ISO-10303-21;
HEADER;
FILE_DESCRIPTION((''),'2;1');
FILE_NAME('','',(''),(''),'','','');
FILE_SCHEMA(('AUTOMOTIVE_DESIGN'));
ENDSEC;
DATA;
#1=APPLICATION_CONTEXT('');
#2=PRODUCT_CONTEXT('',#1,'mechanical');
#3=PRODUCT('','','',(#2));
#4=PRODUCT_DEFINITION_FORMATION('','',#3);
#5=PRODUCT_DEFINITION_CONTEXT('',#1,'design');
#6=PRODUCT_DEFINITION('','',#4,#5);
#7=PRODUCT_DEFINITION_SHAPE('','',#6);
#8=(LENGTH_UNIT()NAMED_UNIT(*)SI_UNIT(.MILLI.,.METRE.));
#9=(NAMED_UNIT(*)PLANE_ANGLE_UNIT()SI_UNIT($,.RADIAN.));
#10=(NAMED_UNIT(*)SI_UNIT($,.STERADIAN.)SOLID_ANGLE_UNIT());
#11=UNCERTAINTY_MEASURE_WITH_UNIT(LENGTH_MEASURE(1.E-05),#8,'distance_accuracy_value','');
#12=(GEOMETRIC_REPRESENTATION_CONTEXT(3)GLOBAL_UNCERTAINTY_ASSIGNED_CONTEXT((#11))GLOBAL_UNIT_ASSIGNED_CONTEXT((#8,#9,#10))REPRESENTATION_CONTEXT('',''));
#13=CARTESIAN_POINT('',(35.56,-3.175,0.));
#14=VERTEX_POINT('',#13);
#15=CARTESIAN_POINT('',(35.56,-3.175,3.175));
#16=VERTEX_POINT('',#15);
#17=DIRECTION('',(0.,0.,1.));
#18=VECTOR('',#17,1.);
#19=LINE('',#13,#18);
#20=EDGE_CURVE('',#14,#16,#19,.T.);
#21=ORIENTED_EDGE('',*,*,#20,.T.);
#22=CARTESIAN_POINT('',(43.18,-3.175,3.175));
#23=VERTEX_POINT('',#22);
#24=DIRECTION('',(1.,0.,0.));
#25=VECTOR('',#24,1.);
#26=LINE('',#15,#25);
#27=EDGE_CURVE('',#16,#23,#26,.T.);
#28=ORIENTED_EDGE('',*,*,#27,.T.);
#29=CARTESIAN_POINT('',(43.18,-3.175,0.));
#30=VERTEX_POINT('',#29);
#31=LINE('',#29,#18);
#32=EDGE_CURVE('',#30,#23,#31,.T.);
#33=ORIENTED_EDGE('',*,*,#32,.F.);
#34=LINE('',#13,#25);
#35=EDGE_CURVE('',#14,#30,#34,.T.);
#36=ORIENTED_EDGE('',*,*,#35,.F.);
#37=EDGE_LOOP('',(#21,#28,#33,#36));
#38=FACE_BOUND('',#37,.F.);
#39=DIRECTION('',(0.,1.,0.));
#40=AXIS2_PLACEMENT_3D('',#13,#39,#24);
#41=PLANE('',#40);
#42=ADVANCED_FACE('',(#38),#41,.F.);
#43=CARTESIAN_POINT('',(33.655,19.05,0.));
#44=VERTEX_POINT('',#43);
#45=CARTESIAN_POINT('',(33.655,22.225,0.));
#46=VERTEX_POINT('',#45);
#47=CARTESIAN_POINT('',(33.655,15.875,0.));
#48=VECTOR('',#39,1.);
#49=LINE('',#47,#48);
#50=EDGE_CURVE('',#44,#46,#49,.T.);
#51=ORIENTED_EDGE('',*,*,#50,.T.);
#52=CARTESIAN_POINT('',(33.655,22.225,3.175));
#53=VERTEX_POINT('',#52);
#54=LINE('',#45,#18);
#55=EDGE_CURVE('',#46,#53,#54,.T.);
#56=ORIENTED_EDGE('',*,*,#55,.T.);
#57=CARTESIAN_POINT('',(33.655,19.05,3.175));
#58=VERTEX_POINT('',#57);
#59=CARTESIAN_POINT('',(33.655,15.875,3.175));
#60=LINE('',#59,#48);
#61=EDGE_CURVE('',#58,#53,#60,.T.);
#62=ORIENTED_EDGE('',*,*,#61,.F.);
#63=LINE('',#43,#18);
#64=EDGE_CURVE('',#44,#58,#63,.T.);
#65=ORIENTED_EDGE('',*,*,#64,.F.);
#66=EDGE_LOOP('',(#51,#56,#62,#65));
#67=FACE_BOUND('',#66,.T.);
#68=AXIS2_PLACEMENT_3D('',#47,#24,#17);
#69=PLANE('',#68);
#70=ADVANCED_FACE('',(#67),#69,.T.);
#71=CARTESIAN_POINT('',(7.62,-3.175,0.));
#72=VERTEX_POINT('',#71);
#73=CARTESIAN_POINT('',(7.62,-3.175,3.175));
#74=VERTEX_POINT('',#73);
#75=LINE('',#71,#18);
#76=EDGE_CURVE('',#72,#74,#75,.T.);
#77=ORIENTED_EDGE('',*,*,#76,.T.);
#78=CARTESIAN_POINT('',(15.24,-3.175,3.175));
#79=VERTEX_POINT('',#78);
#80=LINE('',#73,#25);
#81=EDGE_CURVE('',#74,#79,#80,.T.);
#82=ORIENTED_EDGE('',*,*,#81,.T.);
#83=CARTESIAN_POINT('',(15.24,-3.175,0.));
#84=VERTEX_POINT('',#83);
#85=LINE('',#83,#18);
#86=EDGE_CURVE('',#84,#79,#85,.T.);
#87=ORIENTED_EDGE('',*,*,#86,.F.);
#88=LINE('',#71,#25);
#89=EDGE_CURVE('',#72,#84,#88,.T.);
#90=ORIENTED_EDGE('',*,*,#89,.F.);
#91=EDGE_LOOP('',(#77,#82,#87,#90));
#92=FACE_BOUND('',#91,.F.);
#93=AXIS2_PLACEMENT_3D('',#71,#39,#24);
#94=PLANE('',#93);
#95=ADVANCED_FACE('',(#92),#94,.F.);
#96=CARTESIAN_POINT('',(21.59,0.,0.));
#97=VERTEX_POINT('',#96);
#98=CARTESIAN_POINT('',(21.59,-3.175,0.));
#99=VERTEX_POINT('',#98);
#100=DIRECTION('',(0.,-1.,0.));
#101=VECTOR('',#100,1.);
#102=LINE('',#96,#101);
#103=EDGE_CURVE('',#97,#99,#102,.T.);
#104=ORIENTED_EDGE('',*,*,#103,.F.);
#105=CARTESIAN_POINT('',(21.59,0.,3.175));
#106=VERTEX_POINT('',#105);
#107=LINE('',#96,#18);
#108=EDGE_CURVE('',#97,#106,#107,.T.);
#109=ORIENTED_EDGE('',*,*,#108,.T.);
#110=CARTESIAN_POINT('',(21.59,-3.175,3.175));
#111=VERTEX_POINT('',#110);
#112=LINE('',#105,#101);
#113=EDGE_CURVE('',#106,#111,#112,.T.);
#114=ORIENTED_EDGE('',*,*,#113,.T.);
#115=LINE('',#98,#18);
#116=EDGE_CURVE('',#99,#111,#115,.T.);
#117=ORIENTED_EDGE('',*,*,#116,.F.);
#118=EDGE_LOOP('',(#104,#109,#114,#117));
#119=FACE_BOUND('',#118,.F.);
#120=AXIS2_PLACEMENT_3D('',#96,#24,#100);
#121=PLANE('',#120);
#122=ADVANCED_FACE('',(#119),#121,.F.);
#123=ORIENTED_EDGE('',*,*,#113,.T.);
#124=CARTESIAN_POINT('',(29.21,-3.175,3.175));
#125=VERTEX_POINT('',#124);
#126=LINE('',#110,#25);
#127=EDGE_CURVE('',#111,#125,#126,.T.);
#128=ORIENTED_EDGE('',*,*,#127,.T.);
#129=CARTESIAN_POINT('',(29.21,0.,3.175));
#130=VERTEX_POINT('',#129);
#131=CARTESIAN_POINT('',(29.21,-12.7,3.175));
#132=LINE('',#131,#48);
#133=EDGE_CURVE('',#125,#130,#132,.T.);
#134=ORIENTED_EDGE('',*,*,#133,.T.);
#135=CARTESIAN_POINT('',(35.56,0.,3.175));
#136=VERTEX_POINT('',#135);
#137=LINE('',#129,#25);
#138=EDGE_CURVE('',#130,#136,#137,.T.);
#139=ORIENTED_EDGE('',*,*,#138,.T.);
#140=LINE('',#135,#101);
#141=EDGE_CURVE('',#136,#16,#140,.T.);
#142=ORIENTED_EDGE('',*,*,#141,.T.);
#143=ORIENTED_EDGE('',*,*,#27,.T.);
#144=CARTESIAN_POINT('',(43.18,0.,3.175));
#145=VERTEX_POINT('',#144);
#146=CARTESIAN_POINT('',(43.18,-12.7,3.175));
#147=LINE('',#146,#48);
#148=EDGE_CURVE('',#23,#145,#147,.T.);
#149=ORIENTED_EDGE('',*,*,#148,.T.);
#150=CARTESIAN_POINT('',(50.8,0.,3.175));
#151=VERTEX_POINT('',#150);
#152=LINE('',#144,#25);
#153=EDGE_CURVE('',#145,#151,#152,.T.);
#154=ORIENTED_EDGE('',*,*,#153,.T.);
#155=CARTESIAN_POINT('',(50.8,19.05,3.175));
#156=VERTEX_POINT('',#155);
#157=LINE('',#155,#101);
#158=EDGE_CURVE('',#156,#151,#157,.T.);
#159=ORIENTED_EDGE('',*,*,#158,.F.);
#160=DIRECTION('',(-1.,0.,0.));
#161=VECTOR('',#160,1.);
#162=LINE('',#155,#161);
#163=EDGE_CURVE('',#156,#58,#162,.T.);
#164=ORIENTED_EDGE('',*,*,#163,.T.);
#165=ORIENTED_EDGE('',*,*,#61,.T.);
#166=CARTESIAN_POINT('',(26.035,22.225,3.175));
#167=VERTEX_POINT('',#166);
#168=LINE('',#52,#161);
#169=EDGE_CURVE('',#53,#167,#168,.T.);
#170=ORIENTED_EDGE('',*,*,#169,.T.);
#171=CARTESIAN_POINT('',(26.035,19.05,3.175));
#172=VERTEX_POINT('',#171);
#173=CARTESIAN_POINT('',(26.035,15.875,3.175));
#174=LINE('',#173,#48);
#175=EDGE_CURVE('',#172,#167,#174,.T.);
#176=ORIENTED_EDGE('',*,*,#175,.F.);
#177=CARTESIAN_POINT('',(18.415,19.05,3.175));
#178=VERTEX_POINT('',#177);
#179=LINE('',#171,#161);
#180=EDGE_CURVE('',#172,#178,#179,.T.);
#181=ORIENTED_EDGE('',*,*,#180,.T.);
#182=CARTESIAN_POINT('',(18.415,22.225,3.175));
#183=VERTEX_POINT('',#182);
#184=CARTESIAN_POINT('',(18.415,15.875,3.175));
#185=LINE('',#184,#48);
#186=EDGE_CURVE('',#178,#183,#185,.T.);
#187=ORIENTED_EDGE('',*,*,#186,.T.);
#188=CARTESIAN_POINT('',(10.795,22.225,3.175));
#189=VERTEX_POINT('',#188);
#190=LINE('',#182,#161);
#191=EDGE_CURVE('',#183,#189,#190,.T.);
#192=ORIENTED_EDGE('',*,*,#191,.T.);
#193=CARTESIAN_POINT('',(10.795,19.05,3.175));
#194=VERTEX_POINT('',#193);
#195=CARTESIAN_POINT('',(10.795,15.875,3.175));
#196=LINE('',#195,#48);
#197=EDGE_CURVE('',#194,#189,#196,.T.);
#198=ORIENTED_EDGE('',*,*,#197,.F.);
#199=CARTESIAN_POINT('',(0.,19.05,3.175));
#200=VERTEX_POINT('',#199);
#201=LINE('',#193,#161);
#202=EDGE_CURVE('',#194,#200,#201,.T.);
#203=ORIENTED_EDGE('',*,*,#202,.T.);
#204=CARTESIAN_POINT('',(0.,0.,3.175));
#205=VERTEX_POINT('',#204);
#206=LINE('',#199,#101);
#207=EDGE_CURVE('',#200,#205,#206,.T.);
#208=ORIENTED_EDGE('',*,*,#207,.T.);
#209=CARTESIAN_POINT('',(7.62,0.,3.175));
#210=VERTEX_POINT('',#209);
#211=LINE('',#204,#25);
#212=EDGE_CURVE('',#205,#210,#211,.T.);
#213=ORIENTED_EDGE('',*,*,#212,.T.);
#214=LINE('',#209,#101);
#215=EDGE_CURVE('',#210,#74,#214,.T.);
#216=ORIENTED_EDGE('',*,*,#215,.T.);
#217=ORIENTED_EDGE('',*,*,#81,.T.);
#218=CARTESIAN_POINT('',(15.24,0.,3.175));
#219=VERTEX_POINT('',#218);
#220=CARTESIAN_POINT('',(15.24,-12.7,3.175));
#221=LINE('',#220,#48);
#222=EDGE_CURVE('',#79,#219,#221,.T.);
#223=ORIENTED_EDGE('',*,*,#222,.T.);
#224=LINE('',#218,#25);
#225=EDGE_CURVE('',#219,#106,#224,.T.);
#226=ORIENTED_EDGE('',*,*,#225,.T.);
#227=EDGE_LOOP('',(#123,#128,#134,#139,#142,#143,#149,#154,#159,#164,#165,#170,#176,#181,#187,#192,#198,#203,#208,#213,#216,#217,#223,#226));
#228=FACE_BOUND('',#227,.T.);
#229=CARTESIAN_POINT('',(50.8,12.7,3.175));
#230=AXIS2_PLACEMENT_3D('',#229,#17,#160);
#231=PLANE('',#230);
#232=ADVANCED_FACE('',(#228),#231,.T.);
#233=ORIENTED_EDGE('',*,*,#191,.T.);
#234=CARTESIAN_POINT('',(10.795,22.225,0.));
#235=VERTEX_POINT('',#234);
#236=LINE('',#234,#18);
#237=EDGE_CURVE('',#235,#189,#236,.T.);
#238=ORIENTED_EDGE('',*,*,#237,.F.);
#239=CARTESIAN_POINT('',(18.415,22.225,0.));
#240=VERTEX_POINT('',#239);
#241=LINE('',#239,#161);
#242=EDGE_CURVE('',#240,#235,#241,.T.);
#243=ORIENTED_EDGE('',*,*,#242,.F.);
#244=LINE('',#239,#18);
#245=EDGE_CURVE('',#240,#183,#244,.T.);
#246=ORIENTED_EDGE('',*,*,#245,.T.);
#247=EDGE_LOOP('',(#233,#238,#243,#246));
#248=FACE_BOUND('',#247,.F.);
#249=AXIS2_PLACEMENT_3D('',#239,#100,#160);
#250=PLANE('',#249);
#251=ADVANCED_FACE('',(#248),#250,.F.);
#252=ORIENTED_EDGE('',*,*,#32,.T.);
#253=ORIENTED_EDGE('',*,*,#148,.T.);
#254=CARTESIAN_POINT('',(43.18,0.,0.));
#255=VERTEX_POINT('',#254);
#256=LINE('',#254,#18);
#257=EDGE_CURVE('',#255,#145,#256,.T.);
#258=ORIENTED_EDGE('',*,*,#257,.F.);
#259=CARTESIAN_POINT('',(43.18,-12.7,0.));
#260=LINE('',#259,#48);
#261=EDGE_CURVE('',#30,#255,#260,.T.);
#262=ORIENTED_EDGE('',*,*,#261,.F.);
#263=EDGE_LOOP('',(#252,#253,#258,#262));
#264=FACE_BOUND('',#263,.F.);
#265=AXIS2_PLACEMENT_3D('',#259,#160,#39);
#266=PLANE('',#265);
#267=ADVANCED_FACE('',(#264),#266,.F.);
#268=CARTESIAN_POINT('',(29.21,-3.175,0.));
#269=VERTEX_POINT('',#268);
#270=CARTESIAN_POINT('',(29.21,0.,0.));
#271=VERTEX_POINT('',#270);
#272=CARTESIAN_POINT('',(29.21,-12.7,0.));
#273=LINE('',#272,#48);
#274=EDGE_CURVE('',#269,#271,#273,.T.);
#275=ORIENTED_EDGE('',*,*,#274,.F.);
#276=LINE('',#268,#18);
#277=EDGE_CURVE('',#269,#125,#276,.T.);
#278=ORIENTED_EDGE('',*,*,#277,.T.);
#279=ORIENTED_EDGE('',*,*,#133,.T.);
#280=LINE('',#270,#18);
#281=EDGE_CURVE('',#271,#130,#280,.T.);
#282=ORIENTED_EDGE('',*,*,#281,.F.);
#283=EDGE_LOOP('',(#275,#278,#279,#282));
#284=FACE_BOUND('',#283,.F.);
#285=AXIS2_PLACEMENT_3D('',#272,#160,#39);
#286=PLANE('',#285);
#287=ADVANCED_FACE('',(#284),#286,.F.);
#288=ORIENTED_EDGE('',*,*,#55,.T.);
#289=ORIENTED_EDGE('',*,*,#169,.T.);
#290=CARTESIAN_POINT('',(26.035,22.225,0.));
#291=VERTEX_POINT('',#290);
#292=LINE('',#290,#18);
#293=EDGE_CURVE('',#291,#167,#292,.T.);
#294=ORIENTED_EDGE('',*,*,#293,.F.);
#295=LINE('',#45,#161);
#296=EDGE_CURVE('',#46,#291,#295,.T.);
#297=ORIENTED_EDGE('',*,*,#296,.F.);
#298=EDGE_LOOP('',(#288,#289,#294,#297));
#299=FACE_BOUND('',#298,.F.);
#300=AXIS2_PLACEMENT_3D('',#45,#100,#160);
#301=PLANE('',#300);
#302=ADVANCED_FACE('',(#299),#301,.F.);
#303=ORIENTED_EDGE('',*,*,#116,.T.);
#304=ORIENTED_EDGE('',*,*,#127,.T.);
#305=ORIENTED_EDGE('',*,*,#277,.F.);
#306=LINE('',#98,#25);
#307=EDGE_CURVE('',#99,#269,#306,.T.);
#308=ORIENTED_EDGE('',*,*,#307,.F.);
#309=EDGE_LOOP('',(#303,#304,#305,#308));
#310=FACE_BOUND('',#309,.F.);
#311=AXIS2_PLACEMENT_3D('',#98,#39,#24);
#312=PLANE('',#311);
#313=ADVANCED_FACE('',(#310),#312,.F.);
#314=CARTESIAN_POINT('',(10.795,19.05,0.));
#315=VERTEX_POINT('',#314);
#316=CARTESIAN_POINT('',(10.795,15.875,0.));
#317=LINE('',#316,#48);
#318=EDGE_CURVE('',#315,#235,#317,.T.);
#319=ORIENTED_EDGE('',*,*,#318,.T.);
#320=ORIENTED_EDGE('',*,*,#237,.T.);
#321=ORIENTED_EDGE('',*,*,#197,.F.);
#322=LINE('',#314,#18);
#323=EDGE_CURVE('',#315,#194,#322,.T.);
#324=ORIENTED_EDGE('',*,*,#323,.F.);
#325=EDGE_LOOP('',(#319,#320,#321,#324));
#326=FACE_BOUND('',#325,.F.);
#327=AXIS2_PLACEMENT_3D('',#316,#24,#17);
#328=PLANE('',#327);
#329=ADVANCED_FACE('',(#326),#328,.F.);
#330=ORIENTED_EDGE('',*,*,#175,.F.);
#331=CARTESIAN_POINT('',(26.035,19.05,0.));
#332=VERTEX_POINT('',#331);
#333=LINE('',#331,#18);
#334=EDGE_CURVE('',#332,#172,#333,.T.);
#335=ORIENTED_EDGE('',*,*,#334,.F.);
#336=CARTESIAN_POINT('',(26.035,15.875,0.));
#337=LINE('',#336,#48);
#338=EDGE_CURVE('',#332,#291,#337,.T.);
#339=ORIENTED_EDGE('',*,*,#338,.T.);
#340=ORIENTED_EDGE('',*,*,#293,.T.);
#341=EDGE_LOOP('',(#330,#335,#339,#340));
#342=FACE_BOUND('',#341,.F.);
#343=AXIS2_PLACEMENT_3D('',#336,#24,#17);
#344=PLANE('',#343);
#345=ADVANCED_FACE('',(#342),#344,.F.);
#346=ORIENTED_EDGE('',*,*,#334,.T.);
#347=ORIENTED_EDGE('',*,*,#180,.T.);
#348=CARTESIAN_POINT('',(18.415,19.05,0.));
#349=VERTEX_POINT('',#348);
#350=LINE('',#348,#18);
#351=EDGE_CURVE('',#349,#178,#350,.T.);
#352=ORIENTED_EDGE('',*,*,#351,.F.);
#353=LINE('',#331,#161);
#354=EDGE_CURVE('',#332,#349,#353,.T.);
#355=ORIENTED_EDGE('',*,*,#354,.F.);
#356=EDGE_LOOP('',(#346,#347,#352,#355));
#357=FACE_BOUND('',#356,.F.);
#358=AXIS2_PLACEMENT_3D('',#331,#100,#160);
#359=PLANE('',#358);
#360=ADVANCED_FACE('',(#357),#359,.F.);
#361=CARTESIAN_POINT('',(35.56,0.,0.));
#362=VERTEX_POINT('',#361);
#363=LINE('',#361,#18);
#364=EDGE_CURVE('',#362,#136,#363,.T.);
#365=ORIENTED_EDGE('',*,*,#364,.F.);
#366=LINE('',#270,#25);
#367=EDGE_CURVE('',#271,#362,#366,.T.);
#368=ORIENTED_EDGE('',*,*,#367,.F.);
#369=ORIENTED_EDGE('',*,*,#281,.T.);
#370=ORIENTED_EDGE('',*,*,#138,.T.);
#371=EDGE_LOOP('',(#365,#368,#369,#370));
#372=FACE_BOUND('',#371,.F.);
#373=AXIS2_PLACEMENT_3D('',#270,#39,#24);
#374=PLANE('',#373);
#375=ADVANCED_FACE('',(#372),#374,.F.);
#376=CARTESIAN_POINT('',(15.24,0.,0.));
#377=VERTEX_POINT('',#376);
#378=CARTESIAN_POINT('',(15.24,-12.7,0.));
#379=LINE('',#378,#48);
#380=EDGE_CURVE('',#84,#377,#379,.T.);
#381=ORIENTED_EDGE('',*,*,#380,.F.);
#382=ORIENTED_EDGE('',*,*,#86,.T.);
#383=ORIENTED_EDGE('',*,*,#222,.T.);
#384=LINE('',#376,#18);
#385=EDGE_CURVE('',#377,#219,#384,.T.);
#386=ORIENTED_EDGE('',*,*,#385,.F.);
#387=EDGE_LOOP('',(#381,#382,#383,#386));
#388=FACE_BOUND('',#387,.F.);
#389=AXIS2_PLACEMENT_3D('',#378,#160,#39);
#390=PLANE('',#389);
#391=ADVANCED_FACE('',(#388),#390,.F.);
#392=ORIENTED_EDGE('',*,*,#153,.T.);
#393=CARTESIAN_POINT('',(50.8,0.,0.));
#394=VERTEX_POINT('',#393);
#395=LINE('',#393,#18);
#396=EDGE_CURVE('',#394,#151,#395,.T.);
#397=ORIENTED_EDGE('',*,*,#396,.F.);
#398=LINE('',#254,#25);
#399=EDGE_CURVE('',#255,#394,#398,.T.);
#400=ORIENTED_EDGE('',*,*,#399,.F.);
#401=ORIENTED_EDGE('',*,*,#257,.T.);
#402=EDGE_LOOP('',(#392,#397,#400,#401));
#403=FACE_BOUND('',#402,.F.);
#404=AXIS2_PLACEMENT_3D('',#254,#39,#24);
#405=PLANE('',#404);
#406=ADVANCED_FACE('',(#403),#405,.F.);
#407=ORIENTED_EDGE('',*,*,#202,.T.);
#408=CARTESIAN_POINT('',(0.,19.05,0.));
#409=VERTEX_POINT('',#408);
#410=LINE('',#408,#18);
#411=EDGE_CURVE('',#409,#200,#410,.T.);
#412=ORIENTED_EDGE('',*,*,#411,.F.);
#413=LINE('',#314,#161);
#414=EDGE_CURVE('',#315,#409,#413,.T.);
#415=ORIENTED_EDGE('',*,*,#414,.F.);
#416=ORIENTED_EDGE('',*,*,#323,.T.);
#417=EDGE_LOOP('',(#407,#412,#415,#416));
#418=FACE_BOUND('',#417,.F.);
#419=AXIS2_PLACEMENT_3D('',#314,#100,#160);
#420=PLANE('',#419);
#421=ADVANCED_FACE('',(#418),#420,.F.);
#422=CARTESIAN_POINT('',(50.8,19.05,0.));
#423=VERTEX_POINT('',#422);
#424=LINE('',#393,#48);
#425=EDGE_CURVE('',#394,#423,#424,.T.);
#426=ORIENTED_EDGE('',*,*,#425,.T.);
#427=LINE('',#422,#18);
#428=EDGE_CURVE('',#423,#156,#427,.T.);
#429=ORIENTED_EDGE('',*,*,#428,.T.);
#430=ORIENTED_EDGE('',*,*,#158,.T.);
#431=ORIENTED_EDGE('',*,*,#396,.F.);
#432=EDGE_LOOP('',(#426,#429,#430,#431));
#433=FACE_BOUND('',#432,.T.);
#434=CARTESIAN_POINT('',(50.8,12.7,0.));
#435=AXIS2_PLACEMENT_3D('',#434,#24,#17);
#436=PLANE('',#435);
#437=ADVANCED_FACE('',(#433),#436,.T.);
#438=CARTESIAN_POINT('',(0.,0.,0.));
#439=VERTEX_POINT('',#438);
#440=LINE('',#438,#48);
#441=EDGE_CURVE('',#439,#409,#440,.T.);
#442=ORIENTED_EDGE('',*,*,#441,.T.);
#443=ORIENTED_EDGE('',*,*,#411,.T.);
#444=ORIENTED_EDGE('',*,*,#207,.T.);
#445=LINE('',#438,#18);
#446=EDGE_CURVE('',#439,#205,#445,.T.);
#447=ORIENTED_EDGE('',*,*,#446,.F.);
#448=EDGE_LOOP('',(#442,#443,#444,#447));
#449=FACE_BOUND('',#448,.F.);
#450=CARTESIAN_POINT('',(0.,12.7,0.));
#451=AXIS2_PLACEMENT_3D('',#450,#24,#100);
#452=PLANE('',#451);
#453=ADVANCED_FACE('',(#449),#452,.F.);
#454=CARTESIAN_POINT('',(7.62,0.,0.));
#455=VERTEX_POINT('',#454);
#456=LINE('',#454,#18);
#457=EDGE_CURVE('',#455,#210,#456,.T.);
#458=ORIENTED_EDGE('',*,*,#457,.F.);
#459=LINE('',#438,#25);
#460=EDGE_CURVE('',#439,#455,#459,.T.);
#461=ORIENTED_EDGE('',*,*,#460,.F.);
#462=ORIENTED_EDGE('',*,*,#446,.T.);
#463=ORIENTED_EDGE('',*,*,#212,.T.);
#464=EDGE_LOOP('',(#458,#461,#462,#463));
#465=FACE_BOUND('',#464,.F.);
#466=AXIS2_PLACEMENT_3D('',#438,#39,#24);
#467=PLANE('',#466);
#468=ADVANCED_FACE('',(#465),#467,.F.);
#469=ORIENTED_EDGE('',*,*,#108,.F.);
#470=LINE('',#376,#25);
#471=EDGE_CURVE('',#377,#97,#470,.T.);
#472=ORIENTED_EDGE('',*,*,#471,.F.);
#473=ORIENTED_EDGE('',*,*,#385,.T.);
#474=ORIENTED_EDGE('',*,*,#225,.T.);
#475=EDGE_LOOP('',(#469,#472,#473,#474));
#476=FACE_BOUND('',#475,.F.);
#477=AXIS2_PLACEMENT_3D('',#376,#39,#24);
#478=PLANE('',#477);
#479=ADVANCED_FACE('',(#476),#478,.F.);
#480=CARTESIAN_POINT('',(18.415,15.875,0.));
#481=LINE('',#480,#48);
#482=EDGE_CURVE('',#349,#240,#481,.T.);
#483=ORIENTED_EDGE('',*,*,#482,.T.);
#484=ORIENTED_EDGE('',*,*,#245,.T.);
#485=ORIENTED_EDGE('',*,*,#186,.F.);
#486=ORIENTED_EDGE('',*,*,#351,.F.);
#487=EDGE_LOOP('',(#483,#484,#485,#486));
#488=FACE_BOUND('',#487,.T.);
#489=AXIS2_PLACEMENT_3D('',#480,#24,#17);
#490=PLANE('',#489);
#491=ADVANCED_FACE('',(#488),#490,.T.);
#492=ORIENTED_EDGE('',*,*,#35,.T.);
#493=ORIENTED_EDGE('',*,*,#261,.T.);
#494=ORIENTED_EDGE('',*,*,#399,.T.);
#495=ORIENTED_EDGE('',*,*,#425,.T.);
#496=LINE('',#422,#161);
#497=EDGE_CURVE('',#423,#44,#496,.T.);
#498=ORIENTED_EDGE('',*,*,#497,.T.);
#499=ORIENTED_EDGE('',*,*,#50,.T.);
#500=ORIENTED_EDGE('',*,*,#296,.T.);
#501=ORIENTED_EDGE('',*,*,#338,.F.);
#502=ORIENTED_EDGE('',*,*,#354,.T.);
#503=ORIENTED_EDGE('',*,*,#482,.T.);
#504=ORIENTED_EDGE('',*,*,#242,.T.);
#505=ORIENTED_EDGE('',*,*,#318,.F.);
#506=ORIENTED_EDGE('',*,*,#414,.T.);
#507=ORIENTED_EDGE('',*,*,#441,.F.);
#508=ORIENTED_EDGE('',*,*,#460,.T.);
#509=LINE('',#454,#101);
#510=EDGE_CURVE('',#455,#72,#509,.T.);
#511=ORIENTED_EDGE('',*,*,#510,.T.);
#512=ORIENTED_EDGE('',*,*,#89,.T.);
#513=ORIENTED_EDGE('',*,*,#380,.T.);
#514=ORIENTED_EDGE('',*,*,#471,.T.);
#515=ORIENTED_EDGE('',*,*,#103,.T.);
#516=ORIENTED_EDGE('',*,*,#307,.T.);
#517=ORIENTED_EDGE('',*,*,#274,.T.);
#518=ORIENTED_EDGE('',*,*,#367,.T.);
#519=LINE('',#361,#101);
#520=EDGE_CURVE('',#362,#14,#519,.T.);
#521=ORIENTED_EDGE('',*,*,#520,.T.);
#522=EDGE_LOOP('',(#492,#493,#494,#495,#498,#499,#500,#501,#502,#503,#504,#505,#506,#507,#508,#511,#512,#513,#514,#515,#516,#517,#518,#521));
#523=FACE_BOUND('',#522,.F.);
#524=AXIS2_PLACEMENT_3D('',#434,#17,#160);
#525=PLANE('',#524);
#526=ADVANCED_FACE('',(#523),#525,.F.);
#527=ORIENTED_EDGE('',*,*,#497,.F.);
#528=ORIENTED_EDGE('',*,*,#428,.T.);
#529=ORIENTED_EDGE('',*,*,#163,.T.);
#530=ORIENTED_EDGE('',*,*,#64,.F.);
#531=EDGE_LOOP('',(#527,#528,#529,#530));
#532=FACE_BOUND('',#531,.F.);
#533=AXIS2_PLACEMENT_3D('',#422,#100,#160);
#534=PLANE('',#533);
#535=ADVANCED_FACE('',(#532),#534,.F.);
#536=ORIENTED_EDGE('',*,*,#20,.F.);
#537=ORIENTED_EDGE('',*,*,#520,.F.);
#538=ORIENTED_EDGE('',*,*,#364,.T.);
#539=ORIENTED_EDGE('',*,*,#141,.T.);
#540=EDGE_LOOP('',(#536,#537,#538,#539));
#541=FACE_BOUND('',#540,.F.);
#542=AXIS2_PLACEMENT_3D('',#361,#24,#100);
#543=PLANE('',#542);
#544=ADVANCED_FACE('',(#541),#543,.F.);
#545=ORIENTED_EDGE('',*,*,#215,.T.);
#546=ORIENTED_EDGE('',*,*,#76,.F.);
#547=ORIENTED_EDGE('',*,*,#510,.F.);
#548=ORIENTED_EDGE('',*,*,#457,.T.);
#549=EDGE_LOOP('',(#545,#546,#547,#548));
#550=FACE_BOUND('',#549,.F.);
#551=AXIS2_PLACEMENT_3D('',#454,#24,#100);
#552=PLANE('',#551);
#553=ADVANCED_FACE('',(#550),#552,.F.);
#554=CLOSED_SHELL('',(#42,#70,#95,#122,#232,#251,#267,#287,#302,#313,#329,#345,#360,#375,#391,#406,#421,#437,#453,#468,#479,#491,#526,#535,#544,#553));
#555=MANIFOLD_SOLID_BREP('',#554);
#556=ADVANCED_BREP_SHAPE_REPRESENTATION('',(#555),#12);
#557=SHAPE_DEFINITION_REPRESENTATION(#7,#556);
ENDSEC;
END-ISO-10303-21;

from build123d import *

# Parameters (mm, degrees)
F1_DEPTH = 3.175
F2_DEPTH = 9.525
F3_DEPTH = 9.525
F4_DEPTH = 6.35


with BuildPart() as f1:
    # F0 (on Top) → F1 (new body)
    with BuildSketch(Plane.XY):
        Polygon((0, 12.7), (0, 0), (7.62, 0), (7.62, -12.7), (15.24, -12.7), (15.24, 0), (21.59, 0), (21.59, -12.7), (29.21, -12.7), (29.21, 0), (35.56, 0), (35.56, -12.7), (43.18, -12.7), (43.18, 0), (50.8, 0), (50.8, 12.7), (33.655, 12.7), (33.655, 25.4), (26.035, 25.4), (26.035, 12.7), (18.415, 12.7), (18.415, 25.4), (10.795, 25.4), (10.795, 12.7), align=None)
    extrude(amount=F1_DEPTH)

    # F2 (cut): faces of the model
    f2_faces = [f1.faces().sort_by_distance(p)[0] for p in [
        (14.605, 25.4, 1.5875),
        (29.845, 25.4, 1.5875),
    ]]
    extrude(f2_faces, amount=-F2_DEPTH, mode=Mode.SUBTRACT)

    # F3 (cut): faces of the model
    f3_faces = [f1.faces().sort_by_distance(p)[0] for p in [
        (39.37, -12.7, 1.5875),
        (25.4, -12.7, 1.5875),
        (11.43, -12.7, 1.5875),
    ]]
    extrude(f3_faces, amount=-F3_DEPTH, mode=Mode.SUBTRACT)

    # F4 (add): faces of the model
    f4_faces = [f1.faces().sort_by_distance(p)[0] for p in [
        (42.2275, 12.7, 1.5875),
        (29.845, 15.875, 1.5875),
        (22.225, 12.7, 1.5875),
        (14.605, 15.875, 1.5875),
        (5.3975, 12.7, 1.5875),
    ]]
    extrude(f4_faces, amount=F4_DEPTH)


solid = f1.part
